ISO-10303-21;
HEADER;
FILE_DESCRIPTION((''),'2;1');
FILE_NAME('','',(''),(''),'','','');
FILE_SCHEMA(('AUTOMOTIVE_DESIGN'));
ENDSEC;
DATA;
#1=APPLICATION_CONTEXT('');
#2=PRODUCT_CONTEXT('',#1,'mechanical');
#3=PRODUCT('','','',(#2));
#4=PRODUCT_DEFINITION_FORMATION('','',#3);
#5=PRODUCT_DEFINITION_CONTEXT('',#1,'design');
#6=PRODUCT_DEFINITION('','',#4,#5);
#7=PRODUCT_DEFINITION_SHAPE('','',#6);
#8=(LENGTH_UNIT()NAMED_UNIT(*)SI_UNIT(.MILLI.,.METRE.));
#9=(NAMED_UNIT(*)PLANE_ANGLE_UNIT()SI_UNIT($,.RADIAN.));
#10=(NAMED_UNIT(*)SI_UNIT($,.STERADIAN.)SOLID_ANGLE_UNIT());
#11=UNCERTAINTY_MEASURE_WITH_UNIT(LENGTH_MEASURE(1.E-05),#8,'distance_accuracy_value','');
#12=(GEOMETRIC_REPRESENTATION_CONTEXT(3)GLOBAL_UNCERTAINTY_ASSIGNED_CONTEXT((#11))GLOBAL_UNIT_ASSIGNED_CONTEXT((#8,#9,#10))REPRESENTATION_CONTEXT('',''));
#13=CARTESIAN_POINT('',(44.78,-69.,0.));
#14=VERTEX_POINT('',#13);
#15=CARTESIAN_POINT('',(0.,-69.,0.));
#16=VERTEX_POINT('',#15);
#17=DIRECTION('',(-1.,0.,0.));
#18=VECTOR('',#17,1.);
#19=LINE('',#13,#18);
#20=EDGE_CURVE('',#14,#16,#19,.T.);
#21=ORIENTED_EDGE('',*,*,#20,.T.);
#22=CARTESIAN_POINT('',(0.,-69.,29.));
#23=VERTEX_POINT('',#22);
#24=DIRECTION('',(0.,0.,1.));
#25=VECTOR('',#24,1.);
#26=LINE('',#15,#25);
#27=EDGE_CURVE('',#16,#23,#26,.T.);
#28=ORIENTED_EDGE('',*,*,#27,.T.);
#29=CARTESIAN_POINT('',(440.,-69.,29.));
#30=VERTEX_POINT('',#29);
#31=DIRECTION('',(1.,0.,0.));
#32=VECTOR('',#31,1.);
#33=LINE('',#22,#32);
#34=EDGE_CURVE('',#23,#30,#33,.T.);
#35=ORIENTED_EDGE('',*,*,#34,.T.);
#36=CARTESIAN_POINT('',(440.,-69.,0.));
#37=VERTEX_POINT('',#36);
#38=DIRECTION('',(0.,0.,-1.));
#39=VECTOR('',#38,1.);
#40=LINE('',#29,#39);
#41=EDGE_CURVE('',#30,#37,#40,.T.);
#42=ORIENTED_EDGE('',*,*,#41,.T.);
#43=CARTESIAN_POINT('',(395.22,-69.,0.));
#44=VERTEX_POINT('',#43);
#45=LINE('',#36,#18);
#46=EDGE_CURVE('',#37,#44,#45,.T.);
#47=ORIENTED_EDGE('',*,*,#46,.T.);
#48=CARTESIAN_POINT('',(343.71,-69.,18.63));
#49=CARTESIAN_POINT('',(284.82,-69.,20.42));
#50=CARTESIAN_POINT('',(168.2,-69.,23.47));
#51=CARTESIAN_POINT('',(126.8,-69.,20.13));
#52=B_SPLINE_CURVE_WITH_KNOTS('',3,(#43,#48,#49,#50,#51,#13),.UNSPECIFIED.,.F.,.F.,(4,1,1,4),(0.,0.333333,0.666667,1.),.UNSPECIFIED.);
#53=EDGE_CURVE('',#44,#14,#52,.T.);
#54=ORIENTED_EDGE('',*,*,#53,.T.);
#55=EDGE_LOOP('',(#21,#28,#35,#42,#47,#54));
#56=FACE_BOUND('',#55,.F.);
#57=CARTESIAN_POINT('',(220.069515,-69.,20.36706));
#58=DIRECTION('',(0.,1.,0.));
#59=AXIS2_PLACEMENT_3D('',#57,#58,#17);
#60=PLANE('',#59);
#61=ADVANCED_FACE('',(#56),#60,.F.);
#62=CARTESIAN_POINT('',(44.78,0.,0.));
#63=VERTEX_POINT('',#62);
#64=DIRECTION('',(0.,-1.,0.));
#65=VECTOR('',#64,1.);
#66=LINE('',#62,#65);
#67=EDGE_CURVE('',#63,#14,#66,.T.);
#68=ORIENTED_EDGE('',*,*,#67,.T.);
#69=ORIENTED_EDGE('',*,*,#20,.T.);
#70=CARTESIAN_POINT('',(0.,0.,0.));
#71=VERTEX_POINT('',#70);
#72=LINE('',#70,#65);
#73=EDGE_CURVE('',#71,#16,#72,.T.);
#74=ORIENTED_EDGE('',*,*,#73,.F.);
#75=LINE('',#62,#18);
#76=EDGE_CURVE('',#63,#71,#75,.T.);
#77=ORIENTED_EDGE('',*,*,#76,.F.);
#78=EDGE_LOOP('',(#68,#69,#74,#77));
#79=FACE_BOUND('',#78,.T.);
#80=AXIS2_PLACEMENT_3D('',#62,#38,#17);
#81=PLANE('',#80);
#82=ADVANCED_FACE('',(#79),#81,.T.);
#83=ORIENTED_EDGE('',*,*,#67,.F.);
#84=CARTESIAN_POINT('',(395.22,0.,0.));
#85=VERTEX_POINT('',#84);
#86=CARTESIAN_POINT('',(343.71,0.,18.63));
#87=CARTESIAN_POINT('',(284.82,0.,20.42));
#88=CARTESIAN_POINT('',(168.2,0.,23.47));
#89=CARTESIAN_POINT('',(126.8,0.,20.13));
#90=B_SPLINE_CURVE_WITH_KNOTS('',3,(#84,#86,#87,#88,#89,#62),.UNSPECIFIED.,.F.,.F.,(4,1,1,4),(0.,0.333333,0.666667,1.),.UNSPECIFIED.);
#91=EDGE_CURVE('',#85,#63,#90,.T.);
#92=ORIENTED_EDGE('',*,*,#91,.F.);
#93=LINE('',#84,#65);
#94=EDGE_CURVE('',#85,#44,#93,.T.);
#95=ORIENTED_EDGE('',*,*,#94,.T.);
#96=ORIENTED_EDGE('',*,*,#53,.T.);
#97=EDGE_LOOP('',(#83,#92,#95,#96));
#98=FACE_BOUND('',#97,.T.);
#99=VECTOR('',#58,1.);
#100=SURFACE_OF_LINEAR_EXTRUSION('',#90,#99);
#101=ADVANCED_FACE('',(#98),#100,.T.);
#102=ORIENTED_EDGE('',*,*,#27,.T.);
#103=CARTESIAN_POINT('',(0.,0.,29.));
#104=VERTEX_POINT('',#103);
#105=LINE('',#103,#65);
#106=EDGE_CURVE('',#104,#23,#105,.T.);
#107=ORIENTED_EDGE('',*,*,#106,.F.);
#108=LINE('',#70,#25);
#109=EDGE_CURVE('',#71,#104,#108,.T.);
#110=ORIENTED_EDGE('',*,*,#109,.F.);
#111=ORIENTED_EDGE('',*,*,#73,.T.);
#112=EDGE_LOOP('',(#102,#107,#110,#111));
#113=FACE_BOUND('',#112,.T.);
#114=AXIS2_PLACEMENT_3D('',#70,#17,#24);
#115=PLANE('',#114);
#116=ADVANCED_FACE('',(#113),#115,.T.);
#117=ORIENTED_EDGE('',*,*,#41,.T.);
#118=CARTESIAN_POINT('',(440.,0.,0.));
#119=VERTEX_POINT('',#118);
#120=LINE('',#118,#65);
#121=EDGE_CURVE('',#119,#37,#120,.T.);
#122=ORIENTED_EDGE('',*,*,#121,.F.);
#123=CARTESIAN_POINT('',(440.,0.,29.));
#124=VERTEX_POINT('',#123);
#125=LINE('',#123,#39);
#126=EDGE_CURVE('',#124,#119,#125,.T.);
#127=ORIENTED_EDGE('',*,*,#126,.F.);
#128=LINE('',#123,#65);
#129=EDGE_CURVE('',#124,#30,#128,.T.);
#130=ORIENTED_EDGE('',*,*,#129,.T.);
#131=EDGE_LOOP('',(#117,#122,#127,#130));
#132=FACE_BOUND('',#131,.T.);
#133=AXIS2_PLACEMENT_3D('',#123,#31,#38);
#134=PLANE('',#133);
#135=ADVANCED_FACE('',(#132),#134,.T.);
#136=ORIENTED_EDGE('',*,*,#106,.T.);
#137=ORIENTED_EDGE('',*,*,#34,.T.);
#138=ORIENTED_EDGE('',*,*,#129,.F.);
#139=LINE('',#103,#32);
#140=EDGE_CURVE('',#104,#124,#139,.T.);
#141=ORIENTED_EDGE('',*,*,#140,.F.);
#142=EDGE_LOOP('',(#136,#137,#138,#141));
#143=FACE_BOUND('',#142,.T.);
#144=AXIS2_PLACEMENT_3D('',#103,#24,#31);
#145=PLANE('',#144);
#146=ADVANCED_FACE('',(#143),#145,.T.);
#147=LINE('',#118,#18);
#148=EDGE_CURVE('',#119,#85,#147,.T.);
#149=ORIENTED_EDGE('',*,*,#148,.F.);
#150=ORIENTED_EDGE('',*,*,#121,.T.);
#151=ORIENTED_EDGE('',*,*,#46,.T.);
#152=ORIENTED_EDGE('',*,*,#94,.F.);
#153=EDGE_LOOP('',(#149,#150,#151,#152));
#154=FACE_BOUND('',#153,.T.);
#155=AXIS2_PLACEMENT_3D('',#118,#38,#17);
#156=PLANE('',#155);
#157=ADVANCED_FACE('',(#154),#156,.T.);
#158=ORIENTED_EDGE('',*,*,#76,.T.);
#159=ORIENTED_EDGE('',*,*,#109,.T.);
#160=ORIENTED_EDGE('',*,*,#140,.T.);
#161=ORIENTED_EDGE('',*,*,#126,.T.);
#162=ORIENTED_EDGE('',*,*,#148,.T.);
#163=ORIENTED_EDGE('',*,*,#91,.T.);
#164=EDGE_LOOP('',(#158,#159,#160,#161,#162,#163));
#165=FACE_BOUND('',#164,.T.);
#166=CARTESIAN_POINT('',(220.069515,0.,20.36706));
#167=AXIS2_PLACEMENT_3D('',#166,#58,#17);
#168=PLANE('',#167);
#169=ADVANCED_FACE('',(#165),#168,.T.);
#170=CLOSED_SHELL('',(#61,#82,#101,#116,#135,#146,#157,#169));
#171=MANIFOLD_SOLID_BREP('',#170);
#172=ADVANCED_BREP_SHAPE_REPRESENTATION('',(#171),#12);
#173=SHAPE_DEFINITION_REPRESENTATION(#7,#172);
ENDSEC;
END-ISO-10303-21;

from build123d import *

# Parameters (mm, degrees)
BAR_DEPTH = 69


with BuildPart() as part:
    # Sketch → Bar (new body)
    with BuildSketch(Plane.XZ):
        with BuildLine():
            Line((44.78, 0), (0, 0))
            Line((0, 0), (0, 29))
            Line((0, 29), (440, 29))
            Line((440, 29), (440, 0))
            Line((440, 0), (395.22, 0))
            add(Edge.make_bspline(
                [(395.22, 0), (343.71, 18.63), (284.82, 20.42), (168.2, 23.47), (126.8, 20.13), (44.78, 0)],
                knots=[0, 0, 0, 0, 0.333333, 0.666667, 1, 1, 1, 1], degree=3))
        make_face()
    extrude(amount=BAR_DEPTH)


solid = part.part
